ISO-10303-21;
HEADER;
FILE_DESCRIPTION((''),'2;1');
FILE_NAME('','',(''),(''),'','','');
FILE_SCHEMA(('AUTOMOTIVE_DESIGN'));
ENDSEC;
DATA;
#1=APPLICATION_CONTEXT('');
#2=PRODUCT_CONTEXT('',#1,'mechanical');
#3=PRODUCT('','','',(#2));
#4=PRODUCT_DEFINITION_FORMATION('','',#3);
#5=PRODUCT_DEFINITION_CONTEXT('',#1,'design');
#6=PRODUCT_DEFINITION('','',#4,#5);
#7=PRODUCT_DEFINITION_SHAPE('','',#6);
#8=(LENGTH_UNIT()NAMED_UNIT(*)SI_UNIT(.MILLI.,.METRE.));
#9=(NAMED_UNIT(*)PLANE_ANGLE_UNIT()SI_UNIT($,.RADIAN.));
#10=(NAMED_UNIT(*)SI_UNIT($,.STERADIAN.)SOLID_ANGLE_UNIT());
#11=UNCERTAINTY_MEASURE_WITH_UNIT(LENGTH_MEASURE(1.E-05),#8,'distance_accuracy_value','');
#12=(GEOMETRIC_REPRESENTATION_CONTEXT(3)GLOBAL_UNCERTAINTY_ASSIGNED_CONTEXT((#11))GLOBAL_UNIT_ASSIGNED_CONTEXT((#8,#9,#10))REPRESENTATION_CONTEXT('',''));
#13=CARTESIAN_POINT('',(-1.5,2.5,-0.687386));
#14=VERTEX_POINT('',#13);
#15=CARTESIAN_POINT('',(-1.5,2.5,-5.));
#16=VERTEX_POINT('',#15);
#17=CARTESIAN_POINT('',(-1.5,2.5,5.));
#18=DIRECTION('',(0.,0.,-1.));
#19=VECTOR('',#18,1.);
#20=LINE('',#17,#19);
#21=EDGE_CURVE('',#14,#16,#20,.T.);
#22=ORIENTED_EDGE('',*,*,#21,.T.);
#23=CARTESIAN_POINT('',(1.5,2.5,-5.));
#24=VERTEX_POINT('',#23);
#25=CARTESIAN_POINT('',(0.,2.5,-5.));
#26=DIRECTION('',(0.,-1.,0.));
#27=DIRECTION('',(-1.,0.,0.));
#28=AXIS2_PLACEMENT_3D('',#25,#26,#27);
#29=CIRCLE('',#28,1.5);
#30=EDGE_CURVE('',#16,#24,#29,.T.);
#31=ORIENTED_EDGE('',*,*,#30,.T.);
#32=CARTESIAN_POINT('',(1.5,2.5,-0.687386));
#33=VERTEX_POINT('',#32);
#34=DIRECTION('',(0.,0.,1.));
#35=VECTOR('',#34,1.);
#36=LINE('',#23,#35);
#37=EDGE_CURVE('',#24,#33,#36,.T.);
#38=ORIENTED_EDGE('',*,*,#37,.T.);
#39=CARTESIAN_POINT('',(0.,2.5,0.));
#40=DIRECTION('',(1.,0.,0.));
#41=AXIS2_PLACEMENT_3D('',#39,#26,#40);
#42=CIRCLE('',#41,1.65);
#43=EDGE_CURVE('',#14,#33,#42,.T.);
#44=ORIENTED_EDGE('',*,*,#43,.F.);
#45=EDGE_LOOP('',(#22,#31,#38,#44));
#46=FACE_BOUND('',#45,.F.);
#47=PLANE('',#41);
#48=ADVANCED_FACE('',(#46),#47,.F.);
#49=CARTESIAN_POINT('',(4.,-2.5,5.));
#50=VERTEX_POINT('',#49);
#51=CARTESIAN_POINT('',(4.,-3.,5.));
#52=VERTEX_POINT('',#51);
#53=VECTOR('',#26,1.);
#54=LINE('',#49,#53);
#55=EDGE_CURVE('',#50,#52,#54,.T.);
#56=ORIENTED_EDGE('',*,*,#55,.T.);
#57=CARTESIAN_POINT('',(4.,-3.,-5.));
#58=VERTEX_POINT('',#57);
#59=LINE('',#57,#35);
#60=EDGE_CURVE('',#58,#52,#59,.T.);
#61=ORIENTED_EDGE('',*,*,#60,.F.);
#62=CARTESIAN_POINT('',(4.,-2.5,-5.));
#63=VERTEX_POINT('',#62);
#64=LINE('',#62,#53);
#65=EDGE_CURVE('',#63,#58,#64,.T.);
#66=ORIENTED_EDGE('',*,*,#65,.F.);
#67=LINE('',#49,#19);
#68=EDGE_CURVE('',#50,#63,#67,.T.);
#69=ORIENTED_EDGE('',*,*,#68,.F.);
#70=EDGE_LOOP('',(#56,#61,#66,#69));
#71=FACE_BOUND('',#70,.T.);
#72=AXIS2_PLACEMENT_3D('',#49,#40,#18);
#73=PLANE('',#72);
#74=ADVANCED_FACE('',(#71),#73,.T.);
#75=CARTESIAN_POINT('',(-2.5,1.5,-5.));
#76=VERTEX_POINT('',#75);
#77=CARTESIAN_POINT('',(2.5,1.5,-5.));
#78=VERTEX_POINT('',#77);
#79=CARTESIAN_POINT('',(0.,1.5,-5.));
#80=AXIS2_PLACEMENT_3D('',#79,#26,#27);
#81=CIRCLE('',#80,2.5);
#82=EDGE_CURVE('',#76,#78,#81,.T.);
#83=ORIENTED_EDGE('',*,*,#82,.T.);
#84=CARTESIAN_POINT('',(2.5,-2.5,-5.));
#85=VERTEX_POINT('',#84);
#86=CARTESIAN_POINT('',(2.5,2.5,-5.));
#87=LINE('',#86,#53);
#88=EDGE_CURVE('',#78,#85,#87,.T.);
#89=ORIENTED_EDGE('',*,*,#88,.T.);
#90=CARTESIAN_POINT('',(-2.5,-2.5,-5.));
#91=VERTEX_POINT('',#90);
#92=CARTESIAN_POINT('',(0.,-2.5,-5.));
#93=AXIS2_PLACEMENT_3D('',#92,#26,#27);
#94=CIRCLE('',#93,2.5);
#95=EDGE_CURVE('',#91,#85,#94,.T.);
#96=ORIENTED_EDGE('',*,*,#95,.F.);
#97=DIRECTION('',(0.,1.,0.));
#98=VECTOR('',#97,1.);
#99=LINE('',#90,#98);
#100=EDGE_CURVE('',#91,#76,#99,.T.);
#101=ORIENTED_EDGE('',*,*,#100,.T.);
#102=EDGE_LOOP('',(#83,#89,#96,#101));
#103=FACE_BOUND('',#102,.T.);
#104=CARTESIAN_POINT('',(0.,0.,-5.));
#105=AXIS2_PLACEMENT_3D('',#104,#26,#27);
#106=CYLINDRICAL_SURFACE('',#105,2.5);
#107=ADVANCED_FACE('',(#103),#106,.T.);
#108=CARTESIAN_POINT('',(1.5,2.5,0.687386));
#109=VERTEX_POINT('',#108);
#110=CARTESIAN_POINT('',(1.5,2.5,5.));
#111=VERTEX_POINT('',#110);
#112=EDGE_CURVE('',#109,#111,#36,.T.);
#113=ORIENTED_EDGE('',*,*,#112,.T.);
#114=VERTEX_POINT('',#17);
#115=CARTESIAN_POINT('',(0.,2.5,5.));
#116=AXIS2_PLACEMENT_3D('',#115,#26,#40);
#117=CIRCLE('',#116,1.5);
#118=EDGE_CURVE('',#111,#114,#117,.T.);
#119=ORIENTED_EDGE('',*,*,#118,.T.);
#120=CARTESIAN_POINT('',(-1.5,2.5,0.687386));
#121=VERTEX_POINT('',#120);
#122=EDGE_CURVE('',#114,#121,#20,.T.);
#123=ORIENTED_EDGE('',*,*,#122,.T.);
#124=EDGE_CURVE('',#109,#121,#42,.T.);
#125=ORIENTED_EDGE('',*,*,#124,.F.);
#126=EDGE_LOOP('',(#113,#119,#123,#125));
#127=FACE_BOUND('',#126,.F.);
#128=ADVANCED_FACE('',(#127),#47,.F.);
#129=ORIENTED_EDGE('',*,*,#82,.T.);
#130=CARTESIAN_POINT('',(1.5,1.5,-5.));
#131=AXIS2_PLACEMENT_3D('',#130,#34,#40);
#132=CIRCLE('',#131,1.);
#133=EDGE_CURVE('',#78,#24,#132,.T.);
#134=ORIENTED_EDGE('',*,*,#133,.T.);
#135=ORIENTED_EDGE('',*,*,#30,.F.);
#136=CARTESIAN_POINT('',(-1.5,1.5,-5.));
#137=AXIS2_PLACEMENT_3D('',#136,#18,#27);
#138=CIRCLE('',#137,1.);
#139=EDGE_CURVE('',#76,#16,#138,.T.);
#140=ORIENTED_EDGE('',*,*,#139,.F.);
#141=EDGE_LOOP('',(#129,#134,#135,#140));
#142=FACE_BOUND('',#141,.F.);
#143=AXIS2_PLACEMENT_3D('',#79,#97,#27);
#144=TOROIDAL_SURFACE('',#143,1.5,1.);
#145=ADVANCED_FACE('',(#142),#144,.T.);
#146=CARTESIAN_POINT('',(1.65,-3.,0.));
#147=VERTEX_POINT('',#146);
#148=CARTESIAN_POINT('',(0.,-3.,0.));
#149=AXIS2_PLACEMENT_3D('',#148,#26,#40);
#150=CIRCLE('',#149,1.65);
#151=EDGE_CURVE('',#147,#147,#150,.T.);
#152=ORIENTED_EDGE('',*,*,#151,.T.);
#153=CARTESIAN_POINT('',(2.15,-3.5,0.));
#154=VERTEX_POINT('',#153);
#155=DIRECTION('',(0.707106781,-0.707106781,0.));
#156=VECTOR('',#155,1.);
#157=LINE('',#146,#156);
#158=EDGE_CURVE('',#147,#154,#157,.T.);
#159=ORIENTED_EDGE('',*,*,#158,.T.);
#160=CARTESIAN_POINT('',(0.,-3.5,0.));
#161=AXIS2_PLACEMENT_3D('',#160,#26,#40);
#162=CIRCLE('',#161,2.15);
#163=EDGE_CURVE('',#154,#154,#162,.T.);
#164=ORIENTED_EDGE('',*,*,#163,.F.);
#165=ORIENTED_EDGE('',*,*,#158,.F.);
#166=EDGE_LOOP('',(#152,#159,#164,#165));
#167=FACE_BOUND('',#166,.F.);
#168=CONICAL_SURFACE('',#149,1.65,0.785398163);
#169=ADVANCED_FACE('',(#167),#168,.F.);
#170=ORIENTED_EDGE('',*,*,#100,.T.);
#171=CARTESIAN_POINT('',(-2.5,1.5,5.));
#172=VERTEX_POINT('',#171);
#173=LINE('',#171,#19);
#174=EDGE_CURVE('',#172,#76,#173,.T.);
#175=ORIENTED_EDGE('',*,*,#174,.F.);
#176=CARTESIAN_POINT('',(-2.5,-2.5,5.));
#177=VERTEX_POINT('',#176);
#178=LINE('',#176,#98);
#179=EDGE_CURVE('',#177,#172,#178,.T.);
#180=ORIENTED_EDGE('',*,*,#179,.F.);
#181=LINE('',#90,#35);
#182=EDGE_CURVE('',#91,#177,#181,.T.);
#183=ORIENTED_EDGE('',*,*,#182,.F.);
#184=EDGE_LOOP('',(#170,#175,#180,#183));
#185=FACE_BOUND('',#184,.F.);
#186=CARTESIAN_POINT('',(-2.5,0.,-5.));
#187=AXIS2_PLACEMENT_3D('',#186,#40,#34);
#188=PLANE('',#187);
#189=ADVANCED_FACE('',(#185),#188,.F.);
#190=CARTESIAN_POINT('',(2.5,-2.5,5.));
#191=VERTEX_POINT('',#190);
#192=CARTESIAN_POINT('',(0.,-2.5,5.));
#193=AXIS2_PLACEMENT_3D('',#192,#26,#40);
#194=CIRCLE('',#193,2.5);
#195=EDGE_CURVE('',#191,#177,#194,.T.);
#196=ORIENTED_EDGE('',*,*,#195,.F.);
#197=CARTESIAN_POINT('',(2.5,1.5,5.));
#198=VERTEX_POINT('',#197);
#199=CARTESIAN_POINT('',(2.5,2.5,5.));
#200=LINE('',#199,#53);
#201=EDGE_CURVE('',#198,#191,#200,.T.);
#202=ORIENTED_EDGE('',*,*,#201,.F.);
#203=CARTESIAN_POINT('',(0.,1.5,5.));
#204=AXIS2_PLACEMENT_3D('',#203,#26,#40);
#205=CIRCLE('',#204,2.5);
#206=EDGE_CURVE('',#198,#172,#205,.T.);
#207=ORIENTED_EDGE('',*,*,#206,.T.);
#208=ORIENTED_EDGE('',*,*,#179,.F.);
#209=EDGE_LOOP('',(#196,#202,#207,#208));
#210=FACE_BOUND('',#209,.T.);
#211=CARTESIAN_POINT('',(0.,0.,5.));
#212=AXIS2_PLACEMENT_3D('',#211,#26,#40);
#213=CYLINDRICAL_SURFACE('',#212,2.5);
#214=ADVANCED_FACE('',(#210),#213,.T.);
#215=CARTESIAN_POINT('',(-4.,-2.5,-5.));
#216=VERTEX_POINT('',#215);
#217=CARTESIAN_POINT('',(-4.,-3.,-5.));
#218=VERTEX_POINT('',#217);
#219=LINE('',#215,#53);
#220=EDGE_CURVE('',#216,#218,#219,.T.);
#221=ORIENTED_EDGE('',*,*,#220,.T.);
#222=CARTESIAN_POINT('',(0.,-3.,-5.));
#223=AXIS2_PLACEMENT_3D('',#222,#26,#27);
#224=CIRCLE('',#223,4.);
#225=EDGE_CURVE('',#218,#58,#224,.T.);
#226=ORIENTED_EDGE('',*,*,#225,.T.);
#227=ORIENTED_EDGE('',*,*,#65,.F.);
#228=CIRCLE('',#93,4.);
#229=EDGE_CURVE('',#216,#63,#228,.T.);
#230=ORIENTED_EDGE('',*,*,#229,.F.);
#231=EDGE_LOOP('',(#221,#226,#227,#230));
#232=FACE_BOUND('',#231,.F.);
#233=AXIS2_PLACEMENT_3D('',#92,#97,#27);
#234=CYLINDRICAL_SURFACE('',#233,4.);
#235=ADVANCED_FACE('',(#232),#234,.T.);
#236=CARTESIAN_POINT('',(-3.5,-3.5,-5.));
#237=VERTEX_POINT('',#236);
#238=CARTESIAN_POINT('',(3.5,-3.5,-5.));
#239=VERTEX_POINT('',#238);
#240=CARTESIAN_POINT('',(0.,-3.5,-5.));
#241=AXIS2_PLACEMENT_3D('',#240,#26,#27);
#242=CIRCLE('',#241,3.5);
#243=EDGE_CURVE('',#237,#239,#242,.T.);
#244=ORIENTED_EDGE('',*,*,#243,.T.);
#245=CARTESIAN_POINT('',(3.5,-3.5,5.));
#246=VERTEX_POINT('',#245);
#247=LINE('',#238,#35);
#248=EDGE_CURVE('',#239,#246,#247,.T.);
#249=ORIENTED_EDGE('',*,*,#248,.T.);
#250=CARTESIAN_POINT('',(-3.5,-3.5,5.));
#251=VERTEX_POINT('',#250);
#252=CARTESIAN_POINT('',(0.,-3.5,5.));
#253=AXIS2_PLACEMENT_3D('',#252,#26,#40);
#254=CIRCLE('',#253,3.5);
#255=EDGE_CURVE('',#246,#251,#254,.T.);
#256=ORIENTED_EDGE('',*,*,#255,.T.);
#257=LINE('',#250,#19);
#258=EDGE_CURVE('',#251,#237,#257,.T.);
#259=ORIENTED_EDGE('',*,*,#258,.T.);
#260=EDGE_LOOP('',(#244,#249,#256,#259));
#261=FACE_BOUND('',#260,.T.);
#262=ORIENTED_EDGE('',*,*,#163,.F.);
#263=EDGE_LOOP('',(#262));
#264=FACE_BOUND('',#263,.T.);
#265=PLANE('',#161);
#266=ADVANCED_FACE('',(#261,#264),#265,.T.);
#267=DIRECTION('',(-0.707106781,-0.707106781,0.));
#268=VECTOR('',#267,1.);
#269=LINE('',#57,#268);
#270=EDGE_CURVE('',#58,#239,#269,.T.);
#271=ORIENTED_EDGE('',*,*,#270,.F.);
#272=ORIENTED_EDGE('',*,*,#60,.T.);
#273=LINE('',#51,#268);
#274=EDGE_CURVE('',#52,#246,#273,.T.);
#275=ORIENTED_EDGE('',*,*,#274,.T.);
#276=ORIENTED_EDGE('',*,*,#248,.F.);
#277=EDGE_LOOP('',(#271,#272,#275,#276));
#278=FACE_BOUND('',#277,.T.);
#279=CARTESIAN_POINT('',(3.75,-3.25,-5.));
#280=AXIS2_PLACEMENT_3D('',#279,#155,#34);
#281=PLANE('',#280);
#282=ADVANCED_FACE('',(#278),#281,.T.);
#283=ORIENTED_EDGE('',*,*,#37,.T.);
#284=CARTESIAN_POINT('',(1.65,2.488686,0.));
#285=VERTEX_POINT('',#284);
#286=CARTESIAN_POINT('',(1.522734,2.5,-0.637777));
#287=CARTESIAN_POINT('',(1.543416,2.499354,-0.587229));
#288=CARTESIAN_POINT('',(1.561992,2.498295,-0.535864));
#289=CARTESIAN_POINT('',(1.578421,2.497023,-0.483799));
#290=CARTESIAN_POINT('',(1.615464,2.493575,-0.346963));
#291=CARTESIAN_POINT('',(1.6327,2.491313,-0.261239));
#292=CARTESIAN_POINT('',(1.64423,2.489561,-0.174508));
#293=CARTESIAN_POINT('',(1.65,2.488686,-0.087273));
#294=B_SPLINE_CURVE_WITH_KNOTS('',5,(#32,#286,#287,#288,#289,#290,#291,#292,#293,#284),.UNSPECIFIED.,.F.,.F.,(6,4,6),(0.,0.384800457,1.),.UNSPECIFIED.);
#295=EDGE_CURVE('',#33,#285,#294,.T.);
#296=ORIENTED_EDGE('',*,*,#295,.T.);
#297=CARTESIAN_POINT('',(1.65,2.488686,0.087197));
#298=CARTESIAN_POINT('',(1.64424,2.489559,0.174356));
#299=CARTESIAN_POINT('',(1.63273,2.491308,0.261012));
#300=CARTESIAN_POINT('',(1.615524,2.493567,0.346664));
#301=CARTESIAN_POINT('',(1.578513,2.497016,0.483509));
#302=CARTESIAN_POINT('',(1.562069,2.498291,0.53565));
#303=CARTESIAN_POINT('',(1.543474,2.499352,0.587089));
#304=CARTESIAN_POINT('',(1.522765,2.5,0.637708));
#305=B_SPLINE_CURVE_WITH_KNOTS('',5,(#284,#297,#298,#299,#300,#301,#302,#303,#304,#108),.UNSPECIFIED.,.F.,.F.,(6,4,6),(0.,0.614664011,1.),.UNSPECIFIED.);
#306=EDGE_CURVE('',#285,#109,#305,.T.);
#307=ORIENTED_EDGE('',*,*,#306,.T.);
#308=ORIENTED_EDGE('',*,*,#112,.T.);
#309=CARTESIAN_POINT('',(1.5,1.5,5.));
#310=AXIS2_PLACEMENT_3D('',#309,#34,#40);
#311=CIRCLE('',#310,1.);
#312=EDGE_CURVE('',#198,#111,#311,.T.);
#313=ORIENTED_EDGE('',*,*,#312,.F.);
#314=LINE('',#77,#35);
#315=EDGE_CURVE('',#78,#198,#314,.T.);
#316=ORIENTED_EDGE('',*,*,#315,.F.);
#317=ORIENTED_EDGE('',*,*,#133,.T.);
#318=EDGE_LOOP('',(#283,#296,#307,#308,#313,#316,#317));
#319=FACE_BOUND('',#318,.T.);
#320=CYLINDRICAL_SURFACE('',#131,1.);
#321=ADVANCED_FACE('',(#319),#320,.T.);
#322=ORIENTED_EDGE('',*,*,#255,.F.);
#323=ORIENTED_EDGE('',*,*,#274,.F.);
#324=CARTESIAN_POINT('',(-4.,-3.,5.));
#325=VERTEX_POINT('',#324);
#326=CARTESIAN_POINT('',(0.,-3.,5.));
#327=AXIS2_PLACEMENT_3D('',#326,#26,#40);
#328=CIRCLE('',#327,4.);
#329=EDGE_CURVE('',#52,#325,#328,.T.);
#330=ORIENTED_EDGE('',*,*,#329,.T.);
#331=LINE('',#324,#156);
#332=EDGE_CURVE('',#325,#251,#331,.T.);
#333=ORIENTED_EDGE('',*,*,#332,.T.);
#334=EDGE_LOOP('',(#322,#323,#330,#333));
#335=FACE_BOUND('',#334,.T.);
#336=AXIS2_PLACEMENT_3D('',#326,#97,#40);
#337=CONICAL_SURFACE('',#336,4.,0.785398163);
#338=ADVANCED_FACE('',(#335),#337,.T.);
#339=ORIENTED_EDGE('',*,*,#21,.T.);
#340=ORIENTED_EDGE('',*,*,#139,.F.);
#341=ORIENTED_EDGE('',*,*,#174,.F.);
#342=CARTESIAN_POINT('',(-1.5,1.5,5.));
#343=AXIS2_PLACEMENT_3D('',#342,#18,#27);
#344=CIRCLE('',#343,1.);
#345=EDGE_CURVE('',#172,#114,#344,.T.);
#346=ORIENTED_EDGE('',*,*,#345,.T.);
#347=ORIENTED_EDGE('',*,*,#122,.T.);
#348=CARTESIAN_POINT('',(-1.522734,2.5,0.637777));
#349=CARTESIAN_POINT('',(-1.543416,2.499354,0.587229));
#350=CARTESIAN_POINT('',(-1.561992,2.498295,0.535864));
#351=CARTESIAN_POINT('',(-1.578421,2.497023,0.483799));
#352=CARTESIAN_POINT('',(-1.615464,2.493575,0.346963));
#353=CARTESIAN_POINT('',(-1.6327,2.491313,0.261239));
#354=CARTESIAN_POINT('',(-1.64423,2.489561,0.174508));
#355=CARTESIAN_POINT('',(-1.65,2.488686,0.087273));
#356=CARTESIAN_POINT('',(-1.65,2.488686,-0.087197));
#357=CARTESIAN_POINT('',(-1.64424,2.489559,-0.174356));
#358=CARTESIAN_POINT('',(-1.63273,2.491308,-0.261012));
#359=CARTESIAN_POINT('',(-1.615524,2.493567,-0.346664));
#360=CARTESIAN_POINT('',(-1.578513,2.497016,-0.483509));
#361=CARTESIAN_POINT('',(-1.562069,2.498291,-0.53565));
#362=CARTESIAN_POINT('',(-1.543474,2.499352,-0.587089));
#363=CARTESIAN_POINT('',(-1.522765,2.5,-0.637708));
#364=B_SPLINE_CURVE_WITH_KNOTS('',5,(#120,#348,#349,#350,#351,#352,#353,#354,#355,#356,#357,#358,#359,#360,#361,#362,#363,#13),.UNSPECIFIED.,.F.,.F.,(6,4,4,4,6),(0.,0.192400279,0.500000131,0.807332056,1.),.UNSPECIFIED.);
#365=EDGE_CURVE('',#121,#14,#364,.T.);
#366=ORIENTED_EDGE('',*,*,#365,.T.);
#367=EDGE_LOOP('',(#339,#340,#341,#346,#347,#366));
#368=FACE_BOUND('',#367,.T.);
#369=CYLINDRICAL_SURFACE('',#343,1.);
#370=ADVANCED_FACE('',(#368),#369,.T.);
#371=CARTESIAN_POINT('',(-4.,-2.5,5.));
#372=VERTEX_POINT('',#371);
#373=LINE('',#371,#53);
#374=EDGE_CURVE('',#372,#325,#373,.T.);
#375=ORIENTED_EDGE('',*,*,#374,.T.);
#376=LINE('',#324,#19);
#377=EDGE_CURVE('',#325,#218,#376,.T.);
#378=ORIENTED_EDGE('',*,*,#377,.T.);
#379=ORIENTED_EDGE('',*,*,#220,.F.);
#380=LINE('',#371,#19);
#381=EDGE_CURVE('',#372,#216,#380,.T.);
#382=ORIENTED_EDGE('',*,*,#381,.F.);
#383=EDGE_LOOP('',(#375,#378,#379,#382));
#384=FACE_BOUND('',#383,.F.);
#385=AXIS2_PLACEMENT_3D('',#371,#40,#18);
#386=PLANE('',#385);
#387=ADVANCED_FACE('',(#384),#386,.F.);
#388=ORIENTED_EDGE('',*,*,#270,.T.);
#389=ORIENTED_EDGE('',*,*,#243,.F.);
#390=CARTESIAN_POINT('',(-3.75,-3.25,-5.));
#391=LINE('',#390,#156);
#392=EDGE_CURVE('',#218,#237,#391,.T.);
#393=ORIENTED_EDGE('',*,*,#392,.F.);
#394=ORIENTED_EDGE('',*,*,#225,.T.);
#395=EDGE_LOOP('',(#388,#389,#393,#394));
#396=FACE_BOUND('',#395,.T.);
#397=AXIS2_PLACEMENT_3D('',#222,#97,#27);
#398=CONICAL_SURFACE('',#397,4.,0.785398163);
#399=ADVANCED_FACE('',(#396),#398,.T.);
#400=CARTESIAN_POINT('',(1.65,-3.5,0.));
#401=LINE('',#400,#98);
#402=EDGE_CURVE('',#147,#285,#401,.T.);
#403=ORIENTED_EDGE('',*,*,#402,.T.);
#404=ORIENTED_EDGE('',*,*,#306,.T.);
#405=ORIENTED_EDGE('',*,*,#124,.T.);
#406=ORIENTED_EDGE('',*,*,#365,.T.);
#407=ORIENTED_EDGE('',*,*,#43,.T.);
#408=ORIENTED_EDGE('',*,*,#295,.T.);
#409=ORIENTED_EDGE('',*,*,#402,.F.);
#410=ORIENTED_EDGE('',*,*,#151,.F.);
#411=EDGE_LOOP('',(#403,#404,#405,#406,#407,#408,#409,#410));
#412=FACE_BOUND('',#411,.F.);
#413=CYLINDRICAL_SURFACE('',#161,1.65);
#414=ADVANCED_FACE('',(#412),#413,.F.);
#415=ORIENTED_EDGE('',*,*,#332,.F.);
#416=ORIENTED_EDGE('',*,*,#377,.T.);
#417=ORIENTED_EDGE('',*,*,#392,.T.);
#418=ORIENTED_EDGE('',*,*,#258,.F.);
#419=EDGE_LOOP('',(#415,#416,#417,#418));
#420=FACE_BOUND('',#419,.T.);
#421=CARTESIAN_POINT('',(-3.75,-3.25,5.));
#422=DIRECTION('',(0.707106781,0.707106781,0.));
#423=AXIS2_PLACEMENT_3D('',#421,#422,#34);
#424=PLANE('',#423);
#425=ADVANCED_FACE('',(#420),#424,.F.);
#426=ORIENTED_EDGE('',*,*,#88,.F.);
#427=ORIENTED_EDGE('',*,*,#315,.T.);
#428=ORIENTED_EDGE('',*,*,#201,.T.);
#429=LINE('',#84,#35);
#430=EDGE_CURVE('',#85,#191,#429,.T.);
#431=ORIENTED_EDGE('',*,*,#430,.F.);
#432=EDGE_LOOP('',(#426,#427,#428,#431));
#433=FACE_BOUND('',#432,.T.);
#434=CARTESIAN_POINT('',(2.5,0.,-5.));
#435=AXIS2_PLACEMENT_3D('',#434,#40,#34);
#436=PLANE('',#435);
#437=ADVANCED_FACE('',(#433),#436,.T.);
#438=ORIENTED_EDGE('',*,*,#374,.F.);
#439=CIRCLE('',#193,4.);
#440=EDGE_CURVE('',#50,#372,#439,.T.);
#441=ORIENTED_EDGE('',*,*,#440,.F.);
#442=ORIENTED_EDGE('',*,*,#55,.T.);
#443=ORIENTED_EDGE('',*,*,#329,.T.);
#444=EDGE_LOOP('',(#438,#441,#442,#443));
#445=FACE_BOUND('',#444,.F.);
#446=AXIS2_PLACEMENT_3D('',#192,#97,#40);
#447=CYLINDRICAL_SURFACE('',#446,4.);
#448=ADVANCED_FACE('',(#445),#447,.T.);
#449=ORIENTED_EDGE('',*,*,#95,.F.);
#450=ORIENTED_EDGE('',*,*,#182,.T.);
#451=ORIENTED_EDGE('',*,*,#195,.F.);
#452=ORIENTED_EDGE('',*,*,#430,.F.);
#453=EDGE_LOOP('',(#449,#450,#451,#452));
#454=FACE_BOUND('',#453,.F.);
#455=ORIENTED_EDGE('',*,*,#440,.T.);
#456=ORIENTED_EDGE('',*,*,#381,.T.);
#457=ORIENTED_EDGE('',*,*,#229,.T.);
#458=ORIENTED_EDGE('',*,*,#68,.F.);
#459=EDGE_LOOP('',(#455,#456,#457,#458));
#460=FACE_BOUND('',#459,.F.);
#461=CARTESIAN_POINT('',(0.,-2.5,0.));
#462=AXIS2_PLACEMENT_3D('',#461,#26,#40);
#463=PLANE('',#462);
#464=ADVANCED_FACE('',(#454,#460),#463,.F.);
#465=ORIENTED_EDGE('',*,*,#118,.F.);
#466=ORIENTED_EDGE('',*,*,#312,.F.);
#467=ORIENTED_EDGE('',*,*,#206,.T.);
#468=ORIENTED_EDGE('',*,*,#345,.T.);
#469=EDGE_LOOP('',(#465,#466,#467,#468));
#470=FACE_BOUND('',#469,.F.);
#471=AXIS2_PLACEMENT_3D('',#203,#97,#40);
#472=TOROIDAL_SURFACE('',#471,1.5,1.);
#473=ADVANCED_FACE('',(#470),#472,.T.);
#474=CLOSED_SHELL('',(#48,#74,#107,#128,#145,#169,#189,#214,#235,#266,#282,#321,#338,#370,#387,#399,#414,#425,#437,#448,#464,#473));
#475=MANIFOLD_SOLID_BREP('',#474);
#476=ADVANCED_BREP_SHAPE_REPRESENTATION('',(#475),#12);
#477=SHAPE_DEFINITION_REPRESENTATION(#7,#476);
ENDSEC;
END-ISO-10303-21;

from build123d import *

# Parameters (mm, degrees)
PAD_DEPTH       = 2.5
PAD001_DEPTH    = 1
CHAMFER_SIZE    = 0.5
FILLET_R        = 1
SKETCH002_R     = 1.65
POCKET_DEPTH    = 6.001
CHAMFER001_SIZE = 0.5


with BuildPart() as part:
    # Sketch → Pad (new body, symmetric)
    with BuildSketch(Plane.XZ):
        with BuildLine():
            ThreePointArc((-2.5, -5), (0, -7.5), (2.5, -5))
            Line((2.5, -5), (2.5, 5))
            ThreePointArc((2.5, 5), (0, 7.5), (-2.5, 5))
            Line((-2.5, -5), (-2.5, 5))
        make_face()
    extrude(amount=PAD_DEPTH, both=True)

    # Sketch001 (on Face6 of Pad) → Pad001 (join)
    with BuildSketch(Plane.XZ.offset(2.5)):
        with BuildLine():
            ThreePointArc((4, 5), (0, 9), (-4, 5))
            Line((-4, 5), (-4, -5))
            ThreePointArc((-4, -5), (0, -9), (4, -5))
            Line((4, 5), (4, -5))
        make_face()
    extrude(amount=PAD001_DEPTH)

    # Chamfer
    chamfer_edges = [part.edges().sort_by_distance(p)[0] for p in [
        (0, -3.5, 9),
    ]]
    chamfer(chamfer_edges, length=CHAMFER_SIZE)

    # Fillet
    fillet_edges = [part.edges().sort_by_distance(p)[0] for p in [
        (0, 2.5, 7.5),
    ]]
    fillet(fillet_edges, radius=FILLET_R)

    # Sketch002 (on Face19 of Fillet) → Pocket (cut, through all)
    with BuildSketch(Plane.XZ.offset(3.5)):
        Circle(SKETCH002_R)
    extrude(amount=-POCKET_DEPTH, mode=Mode.SUBTRACT)

    # Chamfer001
    chamfer001_edges = [part.edges().sort_by_distance(p)[0] for p in [
        (-1.65, -3.5, 0),
    ]]
    chamfer(chamfer001_edges, length=CHAMFER001_SIZE)


solid = part.part
